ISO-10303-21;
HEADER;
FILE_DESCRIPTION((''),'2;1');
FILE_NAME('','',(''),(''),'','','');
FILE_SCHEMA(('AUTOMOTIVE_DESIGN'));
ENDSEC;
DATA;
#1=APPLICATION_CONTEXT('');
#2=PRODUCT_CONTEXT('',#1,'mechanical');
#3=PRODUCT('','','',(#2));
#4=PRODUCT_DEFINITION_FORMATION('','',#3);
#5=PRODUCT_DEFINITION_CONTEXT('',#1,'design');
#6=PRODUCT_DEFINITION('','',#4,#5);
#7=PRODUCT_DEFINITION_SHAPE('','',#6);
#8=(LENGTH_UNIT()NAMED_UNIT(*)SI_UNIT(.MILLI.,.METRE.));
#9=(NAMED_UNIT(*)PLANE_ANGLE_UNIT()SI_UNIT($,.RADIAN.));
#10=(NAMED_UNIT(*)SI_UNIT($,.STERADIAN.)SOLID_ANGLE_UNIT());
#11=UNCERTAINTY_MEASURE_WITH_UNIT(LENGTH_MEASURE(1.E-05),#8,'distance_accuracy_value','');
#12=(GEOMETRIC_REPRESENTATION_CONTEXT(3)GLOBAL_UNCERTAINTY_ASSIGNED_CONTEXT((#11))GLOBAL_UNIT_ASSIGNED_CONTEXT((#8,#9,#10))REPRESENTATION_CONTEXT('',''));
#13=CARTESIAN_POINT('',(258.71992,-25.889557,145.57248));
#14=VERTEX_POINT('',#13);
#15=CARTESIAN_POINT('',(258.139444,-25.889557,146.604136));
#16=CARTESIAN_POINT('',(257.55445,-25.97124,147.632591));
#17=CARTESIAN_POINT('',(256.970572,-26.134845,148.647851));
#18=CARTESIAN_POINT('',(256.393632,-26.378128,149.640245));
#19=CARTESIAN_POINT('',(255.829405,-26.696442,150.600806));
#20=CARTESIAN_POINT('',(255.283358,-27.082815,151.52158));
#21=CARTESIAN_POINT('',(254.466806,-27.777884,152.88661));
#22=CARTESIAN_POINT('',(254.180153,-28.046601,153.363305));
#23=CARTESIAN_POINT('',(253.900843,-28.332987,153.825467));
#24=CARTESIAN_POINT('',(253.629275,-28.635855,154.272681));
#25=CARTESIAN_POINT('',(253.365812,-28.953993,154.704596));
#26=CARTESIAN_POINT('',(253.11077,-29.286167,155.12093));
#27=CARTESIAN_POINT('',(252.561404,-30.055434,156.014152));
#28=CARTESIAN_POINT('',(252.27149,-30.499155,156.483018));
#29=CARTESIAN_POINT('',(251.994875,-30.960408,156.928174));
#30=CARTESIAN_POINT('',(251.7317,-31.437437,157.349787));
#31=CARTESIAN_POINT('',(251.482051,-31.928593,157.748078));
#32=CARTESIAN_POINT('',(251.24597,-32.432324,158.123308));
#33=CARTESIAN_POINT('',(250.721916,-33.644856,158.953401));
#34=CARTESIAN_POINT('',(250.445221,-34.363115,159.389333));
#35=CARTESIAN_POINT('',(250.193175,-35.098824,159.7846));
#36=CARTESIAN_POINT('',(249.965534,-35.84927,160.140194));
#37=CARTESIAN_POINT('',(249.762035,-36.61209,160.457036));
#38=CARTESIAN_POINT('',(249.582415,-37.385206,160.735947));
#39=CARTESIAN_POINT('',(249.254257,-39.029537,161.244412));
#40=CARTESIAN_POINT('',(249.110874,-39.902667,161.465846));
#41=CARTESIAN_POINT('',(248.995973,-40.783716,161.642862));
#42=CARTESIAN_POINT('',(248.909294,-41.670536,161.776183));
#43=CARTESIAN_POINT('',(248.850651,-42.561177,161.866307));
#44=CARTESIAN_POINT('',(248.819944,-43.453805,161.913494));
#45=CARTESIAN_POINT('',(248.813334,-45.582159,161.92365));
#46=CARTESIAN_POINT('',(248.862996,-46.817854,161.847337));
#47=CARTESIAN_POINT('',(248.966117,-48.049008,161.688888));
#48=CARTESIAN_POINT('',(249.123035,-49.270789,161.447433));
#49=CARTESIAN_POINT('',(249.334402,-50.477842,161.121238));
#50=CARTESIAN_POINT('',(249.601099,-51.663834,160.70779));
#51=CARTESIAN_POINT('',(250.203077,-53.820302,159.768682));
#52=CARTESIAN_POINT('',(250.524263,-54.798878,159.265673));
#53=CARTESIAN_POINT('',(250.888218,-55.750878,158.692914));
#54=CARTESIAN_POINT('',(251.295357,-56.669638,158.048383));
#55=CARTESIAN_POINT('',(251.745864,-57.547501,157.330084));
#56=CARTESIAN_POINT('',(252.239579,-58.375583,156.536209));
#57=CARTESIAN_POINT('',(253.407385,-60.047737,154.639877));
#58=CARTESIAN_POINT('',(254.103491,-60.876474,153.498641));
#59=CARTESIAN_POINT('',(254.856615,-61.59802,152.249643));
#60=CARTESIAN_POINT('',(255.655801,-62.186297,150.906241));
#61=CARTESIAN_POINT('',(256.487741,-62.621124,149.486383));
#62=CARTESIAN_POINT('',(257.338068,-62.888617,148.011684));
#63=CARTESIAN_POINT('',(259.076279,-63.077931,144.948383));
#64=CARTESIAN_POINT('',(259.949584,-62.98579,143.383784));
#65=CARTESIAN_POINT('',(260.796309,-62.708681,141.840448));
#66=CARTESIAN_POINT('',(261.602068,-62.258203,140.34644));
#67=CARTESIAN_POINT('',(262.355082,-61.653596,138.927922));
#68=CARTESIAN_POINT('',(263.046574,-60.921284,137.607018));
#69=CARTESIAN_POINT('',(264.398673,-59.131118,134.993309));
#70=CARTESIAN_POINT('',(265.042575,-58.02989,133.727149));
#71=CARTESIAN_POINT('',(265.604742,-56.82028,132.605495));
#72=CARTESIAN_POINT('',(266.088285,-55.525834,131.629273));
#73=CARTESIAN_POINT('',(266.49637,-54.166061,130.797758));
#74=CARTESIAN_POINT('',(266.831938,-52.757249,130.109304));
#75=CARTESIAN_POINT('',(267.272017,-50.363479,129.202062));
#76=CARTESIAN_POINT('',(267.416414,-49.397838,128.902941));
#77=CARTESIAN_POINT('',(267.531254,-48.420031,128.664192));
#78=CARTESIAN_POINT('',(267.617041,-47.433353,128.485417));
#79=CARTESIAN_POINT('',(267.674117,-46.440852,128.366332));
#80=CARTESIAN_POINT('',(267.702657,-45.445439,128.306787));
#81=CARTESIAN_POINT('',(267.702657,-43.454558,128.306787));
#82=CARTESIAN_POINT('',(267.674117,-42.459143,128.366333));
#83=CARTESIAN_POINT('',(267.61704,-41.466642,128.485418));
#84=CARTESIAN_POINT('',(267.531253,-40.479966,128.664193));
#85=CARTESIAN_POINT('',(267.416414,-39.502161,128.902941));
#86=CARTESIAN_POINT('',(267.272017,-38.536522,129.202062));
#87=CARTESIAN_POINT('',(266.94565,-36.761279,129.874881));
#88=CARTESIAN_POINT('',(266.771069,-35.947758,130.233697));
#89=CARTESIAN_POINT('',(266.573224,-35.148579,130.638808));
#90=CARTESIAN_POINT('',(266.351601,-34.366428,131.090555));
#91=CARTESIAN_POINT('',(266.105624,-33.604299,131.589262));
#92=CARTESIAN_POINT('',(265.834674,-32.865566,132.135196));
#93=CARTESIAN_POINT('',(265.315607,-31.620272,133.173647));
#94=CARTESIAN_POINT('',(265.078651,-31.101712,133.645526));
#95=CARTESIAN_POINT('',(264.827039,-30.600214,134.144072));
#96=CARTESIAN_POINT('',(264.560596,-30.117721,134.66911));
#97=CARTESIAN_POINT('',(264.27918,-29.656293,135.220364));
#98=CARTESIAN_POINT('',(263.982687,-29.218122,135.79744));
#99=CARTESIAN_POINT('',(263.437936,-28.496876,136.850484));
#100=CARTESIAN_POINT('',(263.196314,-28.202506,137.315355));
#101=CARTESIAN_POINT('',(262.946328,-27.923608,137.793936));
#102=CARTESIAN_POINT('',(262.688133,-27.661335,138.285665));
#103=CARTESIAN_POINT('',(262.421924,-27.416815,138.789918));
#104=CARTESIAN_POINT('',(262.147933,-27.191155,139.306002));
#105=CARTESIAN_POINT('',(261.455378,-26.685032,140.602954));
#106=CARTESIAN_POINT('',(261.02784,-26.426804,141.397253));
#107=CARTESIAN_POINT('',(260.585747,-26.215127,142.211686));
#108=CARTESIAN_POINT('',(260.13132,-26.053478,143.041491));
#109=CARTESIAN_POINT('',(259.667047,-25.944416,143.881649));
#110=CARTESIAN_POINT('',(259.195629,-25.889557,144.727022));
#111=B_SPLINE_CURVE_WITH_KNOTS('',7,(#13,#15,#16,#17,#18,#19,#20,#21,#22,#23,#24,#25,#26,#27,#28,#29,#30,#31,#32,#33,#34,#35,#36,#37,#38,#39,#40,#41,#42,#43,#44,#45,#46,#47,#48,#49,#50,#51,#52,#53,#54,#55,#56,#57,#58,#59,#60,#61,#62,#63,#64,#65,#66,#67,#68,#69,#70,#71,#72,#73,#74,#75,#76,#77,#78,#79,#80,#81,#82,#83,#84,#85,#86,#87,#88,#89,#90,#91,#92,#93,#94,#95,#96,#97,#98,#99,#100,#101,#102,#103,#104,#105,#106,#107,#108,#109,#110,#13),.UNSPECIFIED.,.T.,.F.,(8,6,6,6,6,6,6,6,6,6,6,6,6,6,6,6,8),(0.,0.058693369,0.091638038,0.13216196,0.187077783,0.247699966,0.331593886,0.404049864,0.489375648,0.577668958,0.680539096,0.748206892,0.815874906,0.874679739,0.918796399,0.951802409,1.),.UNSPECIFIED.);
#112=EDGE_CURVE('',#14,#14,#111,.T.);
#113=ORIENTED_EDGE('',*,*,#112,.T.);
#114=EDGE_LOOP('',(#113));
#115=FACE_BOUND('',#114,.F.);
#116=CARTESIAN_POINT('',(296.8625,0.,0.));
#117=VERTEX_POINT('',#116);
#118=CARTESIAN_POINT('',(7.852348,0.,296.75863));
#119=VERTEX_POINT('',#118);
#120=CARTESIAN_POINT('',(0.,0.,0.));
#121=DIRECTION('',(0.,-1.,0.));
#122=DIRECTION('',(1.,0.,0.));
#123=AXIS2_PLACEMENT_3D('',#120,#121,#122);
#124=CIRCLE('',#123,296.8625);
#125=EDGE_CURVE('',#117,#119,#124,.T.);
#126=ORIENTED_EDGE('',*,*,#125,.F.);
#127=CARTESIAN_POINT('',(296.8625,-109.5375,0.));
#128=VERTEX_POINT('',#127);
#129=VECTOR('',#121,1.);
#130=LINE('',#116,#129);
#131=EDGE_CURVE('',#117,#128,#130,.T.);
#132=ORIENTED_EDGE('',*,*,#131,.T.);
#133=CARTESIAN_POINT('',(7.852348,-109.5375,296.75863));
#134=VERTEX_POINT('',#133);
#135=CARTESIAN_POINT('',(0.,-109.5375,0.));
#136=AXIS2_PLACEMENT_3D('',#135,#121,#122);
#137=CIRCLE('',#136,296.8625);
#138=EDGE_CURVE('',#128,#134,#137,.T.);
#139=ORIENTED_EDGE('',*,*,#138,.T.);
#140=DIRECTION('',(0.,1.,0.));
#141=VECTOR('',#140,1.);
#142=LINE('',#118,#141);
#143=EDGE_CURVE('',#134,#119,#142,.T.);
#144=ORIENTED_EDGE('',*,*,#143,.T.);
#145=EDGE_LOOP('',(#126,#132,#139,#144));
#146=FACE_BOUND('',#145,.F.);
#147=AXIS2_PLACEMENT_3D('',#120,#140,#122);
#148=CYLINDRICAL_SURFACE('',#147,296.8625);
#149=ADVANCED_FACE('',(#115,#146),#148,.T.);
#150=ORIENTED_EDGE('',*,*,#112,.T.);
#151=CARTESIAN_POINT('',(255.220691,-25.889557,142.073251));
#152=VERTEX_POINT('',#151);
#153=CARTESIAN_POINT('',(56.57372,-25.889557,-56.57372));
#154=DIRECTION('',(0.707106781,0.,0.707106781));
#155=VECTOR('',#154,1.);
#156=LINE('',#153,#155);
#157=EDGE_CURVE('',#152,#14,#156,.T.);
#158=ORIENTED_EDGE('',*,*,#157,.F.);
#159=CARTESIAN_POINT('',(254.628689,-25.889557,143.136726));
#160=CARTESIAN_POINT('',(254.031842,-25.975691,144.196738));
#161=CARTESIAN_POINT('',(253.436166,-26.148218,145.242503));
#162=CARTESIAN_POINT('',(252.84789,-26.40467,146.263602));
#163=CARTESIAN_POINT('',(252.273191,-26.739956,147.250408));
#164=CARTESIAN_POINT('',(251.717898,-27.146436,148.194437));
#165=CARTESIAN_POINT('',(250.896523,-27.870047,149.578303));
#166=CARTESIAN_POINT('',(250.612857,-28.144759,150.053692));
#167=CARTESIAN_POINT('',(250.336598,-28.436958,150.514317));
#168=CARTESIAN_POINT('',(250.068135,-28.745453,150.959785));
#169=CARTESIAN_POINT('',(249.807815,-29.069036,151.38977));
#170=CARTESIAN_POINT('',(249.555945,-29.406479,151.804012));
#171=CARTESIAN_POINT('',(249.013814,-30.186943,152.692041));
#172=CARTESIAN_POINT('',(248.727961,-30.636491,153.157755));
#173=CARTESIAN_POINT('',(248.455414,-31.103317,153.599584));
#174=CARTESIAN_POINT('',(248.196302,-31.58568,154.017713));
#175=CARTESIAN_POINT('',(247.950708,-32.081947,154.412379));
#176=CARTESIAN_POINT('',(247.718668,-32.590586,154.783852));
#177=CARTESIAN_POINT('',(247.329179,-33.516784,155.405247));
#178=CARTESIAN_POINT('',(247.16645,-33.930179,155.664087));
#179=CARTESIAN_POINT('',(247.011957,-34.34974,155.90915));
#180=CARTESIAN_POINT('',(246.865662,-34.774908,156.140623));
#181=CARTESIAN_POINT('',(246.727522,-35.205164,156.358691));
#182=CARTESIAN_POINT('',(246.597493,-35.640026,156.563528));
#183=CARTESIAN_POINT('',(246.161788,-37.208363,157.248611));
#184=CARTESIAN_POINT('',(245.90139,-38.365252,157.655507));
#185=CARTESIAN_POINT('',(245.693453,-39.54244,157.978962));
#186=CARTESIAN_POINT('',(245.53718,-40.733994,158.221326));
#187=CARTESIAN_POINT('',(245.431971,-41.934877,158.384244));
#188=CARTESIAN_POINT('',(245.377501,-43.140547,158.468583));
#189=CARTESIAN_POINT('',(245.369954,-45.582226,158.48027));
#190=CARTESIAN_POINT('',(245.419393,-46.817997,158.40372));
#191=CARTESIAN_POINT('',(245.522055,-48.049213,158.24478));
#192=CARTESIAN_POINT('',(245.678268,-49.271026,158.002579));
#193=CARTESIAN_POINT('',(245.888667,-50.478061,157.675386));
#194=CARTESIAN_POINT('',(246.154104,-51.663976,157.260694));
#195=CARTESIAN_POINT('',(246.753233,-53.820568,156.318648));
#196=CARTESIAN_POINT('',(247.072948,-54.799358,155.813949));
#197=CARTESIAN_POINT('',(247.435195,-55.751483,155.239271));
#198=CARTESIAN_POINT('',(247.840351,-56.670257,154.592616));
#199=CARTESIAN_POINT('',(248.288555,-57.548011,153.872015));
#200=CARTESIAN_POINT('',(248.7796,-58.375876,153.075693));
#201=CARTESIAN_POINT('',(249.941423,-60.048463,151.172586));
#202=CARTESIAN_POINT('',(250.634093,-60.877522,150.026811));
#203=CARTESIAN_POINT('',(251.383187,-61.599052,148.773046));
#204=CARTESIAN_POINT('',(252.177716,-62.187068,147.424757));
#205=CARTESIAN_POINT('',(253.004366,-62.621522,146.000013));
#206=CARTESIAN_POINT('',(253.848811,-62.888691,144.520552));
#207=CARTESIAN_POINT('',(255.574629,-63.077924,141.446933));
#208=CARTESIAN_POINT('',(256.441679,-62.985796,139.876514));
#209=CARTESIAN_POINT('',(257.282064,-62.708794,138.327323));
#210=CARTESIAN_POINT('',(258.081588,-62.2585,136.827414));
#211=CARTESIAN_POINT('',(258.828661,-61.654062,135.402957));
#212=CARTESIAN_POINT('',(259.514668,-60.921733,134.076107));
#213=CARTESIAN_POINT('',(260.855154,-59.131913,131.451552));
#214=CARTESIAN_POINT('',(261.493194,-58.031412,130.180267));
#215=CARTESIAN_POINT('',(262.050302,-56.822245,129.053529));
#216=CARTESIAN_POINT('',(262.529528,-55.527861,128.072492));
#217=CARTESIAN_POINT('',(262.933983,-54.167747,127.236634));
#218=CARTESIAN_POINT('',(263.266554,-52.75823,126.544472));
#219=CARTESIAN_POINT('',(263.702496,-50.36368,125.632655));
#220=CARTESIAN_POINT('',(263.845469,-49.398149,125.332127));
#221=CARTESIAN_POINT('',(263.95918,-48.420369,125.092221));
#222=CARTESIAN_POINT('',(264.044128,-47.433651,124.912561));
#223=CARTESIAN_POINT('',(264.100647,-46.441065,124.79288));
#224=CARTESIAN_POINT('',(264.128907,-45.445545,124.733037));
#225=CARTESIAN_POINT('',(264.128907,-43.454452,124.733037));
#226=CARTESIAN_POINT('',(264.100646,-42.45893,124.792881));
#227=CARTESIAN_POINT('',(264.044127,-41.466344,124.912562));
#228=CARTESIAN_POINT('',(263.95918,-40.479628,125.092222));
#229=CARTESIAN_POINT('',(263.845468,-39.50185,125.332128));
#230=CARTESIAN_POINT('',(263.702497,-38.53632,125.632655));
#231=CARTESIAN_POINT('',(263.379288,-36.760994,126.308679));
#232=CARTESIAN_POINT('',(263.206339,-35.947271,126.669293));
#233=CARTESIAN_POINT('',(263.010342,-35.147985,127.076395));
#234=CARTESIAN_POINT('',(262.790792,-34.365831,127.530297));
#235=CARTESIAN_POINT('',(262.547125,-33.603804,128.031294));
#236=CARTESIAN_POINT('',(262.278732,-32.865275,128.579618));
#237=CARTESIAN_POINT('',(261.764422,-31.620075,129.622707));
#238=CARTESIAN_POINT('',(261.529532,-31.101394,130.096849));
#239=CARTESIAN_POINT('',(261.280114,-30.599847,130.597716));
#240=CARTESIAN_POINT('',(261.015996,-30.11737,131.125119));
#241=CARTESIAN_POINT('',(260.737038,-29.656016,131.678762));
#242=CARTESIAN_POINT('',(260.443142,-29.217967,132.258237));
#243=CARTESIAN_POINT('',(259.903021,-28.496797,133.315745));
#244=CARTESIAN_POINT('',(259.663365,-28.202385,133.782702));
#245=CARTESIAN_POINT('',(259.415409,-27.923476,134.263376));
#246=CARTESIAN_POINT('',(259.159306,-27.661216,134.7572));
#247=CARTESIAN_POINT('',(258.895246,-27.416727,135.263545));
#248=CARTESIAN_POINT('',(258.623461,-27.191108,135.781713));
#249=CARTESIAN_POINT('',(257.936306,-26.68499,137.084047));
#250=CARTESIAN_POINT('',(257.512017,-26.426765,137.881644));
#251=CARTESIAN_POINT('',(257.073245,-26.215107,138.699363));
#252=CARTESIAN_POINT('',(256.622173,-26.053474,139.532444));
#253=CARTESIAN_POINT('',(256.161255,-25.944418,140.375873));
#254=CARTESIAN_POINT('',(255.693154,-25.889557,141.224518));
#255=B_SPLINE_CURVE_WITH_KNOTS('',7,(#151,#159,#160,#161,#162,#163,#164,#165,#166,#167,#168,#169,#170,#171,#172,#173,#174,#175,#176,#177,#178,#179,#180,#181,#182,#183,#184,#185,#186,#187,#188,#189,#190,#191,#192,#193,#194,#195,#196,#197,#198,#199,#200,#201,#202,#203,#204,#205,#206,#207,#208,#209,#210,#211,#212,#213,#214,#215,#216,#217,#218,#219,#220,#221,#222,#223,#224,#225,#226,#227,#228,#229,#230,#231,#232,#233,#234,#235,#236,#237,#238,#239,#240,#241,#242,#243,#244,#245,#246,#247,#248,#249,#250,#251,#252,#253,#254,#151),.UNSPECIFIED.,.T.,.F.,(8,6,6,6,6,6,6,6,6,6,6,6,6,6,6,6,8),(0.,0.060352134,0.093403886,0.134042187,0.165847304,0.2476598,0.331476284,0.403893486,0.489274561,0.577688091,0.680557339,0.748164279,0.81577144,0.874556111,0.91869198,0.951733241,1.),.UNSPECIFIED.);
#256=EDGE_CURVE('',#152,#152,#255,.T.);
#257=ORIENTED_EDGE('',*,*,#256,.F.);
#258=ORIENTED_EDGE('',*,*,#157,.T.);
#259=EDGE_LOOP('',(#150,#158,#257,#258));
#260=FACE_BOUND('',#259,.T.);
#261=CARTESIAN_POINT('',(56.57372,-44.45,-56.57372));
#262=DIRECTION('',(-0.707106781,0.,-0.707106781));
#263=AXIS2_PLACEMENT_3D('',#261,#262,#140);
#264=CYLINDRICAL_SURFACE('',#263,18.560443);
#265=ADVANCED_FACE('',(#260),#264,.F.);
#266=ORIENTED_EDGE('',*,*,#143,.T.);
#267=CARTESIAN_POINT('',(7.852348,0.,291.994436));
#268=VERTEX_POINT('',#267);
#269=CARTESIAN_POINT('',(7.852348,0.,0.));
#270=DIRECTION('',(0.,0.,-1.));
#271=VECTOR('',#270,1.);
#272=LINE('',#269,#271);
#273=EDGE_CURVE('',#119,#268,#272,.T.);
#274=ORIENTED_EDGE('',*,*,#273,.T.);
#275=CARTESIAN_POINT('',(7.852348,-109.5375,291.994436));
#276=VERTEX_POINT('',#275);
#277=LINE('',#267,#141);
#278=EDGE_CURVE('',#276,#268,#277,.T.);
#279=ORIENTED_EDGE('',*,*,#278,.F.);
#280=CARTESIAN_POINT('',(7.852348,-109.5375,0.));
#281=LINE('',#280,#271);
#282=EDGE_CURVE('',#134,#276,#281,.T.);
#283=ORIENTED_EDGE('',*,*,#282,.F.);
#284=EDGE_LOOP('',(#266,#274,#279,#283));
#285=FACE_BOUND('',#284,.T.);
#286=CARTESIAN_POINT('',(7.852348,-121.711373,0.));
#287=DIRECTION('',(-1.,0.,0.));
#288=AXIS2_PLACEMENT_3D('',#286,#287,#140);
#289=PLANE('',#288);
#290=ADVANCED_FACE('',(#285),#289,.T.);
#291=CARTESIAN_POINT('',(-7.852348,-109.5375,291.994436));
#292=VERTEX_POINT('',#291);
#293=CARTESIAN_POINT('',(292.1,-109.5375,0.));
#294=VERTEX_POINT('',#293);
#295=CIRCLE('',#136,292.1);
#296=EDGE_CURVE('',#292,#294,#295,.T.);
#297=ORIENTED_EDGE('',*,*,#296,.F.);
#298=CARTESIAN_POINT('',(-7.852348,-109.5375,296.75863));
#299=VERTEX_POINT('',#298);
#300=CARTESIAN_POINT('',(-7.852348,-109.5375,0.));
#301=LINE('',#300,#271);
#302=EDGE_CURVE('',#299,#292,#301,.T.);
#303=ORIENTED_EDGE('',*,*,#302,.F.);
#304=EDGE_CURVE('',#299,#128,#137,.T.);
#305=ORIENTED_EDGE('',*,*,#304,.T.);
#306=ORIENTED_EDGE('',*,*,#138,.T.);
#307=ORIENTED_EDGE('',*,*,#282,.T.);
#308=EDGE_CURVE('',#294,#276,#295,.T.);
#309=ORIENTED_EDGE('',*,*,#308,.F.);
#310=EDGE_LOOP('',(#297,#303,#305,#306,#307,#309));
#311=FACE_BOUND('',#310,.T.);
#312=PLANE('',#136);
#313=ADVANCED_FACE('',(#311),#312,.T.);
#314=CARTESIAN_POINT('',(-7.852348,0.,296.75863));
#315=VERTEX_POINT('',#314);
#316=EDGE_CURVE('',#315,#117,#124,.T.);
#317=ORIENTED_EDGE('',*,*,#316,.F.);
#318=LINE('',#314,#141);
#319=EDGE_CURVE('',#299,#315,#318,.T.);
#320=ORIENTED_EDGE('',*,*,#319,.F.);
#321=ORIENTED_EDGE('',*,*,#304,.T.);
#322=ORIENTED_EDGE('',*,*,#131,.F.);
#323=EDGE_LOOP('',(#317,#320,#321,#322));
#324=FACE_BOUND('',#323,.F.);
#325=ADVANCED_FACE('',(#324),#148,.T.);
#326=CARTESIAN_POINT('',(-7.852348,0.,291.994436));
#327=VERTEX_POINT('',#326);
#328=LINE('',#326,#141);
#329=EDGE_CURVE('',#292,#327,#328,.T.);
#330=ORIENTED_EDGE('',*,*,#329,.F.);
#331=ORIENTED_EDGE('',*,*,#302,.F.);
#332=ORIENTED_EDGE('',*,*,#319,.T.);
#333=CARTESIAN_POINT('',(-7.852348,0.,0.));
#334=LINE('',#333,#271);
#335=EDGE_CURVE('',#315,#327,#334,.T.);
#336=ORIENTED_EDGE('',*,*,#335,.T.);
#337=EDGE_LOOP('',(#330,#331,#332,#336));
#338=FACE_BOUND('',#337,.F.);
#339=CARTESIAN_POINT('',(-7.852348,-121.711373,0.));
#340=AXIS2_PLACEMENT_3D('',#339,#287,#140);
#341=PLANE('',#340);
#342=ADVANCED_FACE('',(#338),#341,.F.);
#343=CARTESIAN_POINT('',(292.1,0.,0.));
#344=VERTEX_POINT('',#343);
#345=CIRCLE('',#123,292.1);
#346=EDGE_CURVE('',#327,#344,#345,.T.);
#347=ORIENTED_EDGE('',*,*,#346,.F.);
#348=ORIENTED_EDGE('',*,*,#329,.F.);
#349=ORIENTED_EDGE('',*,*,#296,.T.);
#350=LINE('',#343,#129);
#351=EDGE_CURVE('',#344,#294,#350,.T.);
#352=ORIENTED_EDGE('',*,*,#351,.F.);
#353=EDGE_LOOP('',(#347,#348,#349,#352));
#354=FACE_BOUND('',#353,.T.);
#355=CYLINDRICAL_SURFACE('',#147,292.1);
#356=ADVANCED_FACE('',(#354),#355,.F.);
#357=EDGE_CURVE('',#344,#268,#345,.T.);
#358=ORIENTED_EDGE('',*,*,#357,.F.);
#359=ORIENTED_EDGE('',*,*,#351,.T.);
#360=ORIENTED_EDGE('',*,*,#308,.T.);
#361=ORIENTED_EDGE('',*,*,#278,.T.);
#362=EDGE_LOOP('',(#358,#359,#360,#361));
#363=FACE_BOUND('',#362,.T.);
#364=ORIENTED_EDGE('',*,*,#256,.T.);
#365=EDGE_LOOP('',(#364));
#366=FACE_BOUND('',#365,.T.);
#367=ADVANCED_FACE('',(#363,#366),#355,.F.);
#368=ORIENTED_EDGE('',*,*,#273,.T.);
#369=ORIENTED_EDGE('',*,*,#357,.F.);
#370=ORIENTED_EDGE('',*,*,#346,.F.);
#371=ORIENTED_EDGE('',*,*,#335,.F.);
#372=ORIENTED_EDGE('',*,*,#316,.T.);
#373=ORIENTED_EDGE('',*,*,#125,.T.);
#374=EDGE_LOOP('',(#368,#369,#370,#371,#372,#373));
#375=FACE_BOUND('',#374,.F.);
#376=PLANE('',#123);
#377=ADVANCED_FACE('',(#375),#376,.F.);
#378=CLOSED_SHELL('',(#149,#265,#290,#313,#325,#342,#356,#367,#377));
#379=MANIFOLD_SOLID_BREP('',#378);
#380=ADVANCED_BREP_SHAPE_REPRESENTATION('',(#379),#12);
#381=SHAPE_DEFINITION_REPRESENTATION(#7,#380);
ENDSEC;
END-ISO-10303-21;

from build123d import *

# Parameters (mm, degrees)
F0_R     = 296.8625
F0_R_2   = 292.1
F1_DEPTH = 109.5375
F2_W     = 15.704696998
F2_H     = 243.4227466583
F3_DEPTH = 304.8
F5_R     = 18.5604428804
F6_DEPTH = 304.8


with BuildPart() as f1:
    # F0 (on Front) → F1 (new body)
    with BuildSketch(Plane.XZ):
        Circle(F0_R)
        Circle(F0_R_2, mode=Mode.SUBTRACT)
    extrude(amount=F1_DEPTH)

    # F2 (on Top) → F3 (cut)
    with BuildSketch(Plane.XY):
        Rectangle(F2_W, F2_H)
    extrude(amount=F3_DEPTH, mode=Mode.SUBTRACT)

    # F5 (on face) → F6 (cut)
    with BuildSketch(Plane(origin=(0, 0, 0), x_dir=(0, 1, 0), z_dir=(0.7071067812, 0, 0.7071067812))):
        with Locations((-44.45, -80.0073221326)):
            Circle(F5_R)
    extrude(amount=F6_DEPTH, mode=Mode.SUBTRACT)


solid = f1.part
